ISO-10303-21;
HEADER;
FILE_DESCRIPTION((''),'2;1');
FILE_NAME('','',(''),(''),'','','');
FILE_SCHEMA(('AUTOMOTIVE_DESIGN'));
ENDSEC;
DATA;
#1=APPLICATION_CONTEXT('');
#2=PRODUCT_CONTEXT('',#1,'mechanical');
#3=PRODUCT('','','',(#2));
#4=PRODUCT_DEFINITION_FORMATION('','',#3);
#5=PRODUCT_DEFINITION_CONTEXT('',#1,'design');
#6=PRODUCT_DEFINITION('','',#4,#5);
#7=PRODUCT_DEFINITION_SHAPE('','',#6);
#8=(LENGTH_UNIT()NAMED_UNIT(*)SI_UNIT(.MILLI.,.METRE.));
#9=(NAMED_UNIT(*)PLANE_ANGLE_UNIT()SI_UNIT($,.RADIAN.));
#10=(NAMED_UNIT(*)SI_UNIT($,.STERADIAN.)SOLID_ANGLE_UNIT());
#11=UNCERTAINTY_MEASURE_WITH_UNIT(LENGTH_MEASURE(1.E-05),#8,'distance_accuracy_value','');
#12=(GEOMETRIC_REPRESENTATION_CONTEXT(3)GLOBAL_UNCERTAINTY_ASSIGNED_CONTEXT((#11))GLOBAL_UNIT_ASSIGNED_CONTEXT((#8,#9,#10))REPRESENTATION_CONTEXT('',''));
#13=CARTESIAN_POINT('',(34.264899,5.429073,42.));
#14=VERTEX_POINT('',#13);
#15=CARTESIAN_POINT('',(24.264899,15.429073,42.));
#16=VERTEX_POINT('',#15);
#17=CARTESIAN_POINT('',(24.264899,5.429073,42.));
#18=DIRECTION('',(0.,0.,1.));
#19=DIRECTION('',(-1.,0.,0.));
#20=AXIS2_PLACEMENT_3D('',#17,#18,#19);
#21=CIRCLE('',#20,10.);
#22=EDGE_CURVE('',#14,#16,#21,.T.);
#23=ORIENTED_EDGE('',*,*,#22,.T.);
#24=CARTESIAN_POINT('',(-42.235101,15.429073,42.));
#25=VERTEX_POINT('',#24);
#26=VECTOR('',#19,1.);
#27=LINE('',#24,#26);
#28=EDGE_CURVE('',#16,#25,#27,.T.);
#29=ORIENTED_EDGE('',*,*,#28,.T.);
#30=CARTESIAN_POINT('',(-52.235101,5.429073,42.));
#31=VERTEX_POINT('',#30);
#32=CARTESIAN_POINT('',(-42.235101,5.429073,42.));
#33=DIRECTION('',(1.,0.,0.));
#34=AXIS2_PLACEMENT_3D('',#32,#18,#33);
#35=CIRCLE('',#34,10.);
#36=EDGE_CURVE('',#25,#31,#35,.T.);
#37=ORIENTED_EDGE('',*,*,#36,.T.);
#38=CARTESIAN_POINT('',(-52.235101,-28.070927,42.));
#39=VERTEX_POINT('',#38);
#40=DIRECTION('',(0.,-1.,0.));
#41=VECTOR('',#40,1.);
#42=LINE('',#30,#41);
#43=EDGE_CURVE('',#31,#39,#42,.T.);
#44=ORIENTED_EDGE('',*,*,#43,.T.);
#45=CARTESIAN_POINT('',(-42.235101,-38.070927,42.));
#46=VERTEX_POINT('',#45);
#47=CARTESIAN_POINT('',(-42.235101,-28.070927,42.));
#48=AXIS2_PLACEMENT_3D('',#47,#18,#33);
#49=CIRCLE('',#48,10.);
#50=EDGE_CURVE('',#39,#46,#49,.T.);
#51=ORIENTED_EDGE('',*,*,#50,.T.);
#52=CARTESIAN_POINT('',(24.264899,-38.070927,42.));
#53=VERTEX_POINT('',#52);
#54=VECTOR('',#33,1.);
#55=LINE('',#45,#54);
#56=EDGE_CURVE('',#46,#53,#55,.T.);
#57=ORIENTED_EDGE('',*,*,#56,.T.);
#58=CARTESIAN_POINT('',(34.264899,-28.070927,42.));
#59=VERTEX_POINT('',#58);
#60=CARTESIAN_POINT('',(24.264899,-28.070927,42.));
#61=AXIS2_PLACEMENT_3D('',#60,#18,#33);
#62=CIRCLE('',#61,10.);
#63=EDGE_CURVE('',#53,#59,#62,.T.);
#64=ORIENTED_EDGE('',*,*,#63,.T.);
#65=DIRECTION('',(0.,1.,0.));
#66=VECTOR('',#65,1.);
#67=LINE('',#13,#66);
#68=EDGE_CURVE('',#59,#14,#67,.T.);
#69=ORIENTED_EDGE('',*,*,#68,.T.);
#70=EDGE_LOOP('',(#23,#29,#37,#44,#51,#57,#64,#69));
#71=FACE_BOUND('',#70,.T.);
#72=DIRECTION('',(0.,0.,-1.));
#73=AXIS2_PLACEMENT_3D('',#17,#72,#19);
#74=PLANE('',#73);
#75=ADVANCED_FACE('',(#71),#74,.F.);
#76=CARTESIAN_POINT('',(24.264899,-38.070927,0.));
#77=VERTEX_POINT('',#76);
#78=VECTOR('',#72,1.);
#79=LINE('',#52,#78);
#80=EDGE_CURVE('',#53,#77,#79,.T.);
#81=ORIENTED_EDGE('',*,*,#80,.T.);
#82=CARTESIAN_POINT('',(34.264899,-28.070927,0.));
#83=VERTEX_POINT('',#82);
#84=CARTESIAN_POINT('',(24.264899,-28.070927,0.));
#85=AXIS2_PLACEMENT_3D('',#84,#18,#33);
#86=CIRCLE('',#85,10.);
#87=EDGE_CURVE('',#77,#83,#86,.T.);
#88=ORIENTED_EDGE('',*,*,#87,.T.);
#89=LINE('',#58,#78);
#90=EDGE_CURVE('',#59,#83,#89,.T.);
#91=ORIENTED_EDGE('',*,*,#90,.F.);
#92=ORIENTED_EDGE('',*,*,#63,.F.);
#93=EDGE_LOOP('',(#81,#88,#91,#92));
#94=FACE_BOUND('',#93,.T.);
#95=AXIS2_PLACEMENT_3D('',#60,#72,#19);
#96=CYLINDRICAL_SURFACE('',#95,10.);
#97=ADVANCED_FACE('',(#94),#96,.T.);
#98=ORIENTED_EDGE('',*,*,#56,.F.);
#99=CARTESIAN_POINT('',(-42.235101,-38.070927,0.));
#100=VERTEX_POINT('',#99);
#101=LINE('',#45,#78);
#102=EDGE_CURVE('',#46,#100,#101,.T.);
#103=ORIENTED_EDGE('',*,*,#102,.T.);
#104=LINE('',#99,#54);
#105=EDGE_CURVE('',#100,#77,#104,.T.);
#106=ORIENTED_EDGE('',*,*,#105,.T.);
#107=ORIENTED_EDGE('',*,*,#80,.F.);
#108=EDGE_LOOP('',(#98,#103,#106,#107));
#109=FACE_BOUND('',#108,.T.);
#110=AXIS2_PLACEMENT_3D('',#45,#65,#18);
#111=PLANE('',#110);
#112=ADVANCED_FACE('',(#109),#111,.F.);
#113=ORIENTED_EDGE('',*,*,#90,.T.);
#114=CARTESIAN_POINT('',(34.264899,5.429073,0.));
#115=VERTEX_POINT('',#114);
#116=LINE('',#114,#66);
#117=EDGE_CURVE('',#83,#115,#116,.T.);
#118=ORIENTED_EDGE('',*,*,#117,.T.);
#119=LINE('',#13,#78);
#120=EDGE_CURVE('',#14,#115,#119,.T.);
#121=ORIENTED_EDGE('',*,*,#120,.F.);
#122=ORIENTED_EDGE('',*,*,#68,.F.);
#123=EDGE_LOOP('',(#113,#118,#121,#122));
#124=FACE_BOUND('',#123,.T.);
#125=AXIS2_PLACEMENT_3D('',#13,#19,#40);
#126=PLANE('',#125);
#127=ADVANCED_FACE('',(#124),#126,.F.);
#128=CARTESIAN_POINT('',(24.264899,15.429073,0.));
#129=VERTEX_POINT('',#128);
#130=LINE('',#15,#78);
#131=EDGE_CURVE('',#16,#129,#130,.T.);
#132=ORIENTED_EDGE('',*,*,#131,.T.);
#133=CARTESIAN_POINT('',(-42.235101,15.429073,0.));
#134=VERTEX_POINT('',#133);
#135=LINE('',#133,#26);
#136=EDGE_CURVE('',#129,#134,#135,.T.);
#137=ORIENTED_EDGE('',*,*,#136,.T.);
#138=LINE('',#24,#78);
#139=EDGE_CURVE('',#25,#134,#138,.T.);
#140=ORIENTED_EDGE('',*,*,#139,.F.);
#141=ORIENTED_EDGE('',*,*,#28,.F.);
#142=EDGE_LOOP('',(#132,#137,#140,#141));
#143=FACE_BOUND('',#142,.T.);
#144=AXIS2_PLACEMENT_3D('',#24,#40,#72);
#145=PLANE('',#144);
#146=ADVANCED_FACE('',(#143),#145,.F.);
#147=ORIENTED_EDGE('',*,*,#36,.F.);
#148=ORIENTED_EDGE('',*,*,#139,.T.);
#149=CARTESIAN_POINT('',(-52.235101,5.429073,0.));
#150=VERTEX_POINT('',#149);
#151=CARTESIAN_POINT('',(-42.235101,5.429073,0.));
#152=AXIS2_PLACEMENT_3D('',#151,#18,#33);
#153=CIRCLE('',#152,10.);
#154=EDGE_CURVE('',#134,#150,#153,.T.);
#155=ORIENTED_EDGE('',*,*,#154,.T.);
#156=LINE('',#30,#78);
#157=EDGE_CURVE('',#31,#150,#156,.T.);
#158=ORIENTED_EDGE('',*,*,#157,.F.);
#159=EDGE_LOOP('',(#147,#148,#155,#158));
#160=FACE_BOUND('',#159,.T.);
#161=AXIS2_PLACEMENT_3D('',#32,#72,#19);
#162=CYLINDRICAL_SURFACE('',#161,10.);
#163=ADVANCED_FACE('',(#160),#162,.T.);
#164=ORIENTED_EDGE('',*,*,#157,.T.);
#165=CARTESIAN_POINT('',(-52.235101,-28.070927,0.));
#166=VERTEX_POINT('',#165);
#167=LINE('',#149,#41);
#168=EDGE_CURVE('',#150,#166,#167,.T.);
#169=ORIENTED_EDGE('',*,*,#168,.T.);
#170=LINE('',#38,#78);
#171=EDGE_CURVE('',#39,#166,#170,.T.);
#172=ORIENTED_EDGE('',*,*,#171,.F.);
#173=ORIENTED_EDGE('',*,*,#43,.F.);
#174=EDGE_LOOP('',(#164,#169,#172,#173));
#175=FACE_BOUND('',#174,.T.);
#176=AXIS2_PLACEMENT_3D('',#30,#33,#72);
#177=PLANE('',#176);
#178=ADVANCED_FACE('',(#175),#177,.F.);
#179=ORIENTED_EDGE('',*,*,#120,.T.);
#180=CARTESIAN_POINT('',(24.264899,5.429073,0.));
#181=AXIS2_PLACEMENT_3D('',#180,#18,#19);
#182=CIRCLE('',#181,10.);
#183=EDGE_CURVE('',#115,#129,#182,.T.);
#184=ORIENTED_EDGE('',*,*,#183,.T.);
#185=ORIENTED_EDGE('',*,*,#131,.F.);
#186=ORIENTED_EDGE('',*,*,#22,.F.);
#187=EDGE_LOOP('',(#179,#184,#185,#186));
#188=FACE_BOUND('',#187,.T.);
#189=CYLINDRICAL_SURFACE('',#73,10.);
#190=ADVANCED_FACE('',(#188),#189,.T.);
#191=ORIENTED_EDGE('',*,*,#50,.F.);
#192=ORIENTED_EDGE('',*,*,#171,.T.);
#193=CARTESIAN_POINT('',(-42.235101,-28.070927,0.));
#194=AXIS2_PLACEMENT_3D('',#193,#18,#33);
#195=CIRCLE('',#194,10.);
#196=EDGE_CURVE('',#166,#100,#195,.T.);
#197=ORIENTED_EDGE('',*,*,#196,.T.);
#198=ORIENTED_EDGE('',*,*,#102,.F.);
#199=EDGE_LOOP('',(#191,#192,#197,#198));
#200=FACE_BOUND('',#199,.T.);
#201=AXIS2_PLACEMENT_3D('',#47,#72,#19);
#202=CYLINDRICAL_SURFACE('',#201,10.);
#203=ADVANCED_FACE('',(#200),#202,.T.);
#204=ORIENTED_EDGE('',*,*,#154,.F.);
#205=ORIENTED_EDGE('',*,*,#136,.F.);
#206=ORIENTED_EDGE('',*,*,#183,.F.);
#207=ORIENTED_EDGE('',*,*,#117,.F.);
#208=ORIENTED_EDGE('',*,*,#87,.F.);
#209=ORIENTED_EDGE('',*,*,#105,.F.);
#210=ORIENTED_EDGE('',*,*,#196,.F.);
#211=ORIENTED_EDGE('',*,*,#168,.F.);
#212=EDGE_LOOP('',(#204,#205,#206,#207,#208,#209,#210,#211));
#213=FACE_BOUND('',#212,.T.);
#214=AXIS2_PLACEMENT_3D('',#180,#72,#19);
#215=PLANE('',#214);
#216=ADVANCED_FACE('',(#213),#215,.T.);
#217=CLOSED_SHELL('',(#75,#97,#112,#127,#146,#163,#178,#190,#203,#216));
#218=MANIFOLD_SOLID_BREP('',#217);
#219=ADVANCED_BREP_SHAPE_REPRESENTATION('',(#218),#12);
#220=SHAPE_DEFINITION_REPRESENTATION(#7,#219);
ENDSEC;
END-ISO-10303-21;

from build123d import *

# Parameters (mm, degrees)
DODANIE_WYCI_GNI_CIE1_DEPTH = 42


with BuildPart() as part:
    # Szkic1 → Dodanie-wyciągnięcie1 (new body)
    with BuildSketch(Plane.XY):
        with BuildLine():
            Line((-42.235100951, 15.429073034), (24.264899049, 15.429073034))
            ThreePointArc((24.264899049, 15.429073034), (31.335966861, 12.500140846), (34.264899049, 5.429073034))
            Line((34.264899049, 5.429073034), (34.264899049, -28.070926966))
            ThreePointArc((34.264899049, -28.070926966), (31.335966861, -35.141994778), (24.264899049, -38.070926966))
            Line((24.264899049, -38.070926966), (-42.235100951, -38.070926966))
            ThreePointArc((-42.235100951, -38.070926966), (-49.306168763, -35.141994778), (-52.235100951, -28.070926966))
            Line((-52.235100951, -28.070926966), (-52.235100951, 5.429073034))
            ThreePointArc((-52.235100951, 5.429073034), (-49.306168763, 12.500140846), (-42.235100951, 15.429073034))
        make_face()
    extrude(amount=DODANIE_WYCI_GNI_CIE1_DEPTH)


solid = part.part
